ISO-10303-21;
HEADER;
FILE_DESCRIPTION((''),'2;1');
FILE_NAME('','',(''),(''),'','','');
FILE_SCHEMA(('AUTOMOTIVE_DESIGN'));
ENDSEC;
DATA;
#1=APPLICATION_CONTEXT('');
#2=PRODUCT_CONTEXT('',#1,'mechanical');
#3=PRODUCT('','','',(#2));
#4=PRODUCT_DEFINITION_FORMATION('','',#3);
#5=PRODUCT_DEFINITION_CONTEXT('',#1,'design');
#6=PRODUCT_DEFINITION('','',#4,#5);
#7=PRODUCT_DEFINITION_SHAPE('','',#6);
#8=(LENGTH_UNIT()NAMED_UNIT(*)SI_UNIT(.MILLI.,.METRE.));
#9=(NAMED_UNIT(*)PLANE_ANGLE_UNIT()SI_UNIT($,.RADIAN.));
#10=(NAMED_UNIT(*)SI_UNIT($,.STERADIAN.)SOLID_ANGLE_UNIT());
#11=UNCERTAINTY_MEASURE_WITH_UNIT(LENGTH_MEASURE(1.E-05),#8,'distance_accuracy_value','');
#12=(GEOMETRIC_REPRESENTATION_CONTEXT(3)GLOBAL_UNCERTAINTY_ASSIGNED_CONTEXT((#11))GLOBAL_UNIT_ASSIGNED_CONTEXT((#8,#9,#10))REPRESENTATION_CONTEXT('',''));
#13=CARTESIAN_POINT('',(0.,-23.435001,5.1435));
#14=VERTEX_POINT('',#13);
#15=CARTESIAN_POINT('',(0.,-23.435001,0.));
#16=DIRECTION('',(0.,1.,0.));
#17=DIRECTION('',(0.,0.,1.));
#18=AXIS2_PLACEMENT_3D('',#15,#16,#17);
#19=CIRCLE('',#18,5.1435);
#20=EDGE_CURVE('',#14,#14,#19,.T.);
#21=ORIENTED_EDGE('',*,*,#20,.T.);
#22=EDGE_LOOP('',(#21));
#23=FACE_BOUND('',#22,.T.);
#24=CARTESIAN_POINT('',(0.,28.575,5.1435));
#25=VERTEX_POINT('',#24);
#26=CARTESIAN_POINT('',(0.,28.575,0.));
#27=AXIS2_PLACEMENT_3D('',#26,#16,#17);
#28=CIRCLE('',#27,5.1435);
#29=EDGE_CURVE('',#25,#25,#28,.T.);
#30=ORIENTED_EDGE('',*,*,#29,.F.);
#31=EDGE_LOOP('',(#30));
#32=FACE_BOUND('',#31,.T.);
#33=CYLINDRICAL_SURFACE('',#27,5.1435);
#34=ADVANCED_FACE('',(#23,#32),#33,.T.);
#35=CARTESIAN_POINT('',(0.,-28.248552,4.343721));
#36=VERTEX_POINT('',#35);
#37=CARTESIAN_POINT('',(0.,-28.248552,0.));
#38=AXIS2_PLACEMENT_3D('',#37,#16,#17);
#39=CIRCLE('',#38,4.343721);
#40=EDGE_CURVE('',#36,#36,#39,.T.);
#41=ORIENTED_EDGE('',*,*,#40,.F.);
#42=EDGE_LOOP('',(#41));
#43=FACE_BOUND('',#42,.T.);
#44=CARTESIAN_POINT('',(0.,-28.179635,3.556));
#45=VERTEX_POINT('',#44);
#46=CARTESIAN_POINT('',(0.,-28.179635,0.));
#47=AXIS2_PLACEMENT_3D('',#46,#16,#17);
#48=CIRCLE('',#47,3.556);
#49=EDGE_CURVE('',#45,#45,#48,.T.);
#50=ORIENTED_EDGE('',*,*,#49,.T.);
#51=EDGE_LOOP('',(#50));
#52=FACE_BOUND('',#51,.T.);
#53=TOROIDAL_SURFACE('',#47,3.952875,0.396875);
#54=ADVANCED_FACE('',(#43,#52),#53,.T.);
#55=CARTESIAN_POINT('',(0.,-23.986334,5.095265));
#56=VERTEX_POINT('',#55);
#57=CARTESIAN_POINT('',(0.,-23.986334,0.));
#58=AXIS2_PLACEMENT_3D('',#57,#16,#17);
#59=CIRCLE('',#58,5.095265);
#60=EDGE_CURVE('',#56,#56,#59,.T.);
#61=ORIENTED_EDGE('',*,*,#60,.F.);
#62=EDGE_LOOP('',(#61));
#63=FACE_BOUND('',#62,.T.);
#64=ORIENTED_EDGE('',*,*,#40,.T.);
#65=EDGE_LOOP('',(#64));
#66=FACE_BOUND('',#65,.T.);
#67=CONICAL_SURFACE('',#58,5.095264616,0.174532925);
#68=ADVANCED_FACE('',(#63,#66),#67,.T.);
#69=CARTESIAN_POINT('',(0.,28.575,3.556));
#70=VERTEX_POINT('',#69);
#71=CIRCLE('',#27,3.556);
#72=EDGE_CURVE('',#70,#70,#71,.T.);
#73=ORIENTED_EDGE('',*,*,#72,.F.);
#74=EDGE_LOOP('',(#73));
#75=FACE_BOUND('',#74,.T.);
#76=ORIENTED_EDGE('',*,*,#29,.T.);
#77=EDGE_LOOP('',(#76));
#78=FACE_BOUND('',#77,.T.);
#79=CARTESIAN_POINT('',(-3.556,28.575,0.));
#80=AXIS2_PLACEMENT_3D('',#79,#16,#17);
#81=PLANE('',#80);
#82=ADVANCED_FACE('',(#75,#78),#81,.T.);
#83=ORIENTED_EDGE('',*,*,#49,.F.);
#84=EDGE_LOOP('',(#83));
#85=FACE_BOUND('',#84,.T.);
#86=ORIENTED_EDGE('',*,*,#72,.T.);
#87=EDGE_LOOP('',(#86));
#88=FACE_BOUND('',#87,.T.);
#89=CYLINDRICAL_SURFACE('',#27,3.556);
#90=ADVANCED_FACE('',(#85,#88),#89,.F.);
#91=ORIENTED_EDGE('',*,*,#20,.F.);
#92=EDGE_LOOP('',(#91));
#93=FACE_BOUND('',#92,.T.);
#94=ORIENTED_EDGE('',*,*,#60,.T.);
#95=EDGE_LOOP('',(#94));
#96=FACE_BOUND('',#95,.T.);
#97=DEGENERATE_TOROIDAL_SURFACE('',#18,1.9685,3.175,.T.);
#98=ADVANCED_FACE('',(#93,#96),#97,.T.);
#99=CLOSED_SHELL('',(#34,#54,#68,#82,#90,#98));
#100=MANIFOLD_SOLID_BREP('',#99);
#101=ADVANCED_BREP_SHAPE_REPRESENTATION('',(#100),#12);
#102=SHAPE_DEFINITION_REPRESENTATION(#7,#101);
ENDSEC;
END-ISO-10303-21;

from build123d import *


with BuildPart() as part:
    # Sketch1 → Revolve1 (revolve)
    with BuildSketch(Plane.XY, mode=Mode.PRIVATE) as revolve1_sk:
        with BuildLine():
            Line((-3.556, 28.575), (-5.1435, 28.575))
            Line((-5.1435, 28.575), (-5.1435, -23.435000842))
            ThreePointArc((-5.1435, -23.435000842), (-5.131418166, -23.711720325), (-5.095264616, -23.986333806))
            Line((-5.095264616, -23.986333806), (-4.343720577, -28.24855185))
            ThreePointArc((-4.343720577, -28.24855185), (-3.918285065, -28.575), (-3.556, -28.179635229))
            Line((-3.556, -28.179635229), (-3.556, 28.575))
        make_face()
    revolve(revolve1_sk.sketch.rotate(Axis((0, 28.575, 0), (0, -1, 0)), 270), axis=Axis((0, 28.575, 0), (0, -1, 0)))


solid = part.part
